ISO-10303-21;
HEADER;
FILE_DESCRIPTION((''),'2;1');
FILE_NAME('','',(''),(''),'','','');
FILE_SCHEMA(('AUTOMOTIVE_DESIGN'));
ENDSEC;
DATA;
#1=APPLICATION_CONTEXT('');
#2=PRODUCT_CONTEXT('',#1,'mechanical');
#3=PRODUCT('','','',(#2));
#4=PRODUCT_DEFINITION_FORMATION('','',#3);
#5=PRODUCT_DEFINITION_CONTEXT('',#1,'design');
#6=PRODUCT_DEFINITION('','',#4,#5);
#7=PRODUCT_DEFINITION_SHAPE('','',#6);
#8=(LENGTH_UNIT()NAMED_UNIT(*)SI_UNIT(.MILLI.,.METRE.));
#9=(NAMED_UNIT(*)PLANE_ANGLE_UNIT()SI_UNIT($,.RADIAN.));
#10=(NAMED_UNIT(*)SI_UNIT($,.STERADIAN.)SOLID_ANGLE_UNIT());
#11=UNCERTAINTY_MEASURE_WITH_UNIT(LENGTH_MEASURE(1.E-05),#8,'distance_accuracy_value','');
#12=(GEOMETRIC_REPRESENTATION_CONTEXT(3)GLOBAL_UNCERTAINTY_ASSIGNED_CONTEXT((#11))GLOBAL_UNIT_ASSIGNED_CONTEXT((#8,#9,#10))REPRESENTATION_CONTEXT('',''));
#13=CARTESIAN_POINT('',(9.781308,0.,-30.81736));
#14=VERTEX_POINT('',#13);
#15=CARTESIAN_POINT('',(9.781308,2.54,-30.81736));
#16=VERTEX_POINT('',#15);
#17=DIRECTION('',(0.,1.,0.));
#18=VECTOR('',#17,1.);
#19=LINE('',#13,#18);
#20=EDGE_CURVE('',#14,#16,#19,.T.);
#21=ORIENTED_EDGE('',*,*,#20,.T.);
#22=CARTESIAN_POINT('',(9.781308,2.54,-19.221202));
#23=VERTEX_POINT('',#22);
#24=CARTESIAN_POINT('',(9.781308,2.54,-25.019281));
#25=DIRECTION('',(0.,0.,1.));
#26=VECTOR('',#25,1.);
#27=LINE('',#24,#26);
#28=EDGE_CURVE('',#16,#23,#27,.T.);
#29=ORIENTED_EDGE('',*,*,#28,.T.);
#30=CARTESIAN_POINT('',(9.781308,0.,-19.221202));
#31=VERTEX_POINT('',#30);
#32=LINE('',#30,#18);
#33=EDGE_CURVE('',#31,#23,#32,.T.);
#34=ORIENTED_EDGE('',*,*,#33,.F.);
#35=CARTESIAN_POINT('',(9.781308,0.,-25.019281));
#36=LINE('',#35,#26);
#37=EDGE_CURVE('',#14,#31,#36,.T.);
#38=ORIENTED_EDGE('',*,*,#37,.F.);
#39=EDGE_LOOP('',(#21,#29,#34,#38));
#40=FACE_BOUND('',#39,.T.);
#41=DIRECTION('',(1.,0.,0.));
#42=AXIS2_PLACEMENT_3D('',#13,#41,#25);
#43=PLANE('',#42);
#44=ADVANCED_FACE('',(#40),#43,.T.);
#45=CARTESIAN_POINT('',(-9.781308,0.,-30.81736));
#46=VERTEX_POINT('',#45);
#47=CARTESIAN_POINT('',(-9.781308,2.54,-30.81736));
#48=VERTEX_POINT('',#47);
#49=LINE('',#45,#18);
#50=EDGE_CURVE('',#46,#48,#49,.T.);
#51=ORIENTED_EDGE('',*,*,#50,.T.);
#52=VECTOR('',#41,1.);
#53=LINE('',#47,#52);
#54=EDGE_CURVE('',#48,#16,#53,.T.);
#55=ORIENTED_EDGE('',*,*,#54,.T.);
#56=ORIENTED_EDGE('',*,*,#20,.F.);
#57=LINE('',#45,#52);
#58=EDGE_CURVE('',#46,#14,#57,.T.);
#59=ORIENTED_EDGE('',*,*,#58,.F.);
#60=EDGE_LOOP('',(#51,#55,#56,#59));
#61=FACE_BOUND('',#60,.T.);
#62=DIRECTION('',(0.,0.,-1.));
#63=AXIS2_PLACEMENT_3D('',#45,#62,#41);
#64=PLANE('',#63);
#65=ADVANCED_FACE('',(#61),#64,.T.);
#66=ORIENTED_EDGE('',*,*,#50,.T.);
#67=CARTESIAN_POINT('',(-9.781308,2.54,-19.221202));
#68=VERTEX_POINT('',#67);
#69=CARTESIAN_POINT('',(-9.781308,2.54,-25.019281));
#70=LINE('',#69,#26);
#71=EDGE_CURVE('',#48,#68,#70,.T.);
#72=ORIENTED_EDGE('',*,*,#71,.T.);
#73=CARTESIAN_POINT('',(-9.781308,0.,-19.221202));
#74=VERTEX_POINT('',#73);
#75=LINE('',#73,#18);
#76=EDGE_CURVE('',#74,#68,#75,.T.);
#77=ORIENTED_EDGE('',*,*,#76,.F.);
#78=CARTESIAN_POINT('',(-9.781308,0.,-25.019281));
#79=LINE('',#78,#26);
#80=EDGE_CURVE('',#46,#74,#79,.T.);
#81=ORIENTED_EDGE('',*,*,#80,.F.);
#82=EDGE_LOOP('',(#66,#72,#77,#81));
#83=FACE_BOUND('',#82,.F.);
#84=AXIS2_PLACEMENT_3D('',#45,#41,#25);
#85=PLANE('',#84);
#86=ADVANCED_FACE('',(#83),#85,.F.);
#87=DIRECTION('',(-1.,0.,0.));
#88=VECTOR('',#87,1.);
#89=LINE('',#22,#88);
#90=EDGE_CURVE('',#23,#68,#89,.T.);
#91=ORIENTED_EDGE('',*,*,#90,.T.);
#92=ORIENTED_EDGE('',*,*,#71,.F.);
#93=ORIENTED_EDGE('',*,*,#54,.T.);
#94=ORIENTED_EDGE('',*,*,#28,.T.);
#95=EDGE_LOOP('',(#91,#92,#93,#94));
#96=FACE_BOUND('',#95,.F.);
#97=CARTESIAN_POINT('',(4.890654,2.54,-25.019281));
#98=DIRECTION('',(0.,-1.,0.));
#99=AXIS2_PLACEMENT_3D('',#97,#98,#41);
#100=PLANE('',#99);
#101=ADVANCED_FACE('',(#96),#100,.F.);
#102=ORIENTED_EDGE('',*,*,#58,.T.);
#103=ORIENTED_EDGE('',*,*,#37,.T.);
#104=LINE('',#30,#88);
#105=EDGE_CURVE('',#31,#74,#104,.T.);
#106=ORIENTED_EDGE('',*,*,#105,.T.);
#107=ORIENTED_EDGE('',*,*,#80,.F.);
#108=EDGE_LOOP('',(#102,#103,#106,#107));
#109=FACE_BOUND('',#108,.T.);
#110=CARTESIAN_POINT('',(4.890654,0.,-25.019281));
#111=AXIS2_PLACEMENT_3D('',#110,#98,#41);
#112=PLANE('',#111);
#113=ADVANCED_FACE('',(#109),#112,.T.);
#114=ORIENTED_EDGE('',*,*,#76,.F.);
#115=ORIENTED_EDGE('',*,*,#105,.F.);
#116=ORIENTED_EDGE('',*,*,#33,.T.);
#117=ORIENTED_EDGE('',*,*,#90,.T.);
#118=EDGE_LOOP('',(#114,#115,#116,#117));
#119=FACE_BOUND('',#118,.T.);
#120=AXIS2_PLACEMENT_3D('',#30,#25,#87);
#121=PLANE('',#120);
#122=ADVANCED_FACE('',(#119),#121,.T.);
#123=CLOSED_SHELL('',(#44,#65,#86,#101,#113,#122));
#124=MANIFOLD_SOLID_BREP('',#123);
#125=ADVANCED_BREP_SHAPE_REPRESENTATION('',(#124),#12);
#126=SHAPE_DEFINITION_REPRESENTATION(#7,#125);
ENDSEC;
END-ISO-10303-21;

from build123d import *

# Parameters (mm, degrees)
F0_W     = 9.781308
F0_H     = 11.596158
F1_DEPTH = 2.54


with BuildPart() as f1:
    # F0 (on Front) → F1 (new body)
    with BuildSketch(Plane.XZ):
        with Locations((4.890654, -25.019281)):
            Rectangle(F0_W, F0_H)
        with Locations((-4.890654, -25.019281)):
            Rectangle(F0_W, F0_H)
    extrude(amount=-F1_DEPTH)


solid = f1.part
